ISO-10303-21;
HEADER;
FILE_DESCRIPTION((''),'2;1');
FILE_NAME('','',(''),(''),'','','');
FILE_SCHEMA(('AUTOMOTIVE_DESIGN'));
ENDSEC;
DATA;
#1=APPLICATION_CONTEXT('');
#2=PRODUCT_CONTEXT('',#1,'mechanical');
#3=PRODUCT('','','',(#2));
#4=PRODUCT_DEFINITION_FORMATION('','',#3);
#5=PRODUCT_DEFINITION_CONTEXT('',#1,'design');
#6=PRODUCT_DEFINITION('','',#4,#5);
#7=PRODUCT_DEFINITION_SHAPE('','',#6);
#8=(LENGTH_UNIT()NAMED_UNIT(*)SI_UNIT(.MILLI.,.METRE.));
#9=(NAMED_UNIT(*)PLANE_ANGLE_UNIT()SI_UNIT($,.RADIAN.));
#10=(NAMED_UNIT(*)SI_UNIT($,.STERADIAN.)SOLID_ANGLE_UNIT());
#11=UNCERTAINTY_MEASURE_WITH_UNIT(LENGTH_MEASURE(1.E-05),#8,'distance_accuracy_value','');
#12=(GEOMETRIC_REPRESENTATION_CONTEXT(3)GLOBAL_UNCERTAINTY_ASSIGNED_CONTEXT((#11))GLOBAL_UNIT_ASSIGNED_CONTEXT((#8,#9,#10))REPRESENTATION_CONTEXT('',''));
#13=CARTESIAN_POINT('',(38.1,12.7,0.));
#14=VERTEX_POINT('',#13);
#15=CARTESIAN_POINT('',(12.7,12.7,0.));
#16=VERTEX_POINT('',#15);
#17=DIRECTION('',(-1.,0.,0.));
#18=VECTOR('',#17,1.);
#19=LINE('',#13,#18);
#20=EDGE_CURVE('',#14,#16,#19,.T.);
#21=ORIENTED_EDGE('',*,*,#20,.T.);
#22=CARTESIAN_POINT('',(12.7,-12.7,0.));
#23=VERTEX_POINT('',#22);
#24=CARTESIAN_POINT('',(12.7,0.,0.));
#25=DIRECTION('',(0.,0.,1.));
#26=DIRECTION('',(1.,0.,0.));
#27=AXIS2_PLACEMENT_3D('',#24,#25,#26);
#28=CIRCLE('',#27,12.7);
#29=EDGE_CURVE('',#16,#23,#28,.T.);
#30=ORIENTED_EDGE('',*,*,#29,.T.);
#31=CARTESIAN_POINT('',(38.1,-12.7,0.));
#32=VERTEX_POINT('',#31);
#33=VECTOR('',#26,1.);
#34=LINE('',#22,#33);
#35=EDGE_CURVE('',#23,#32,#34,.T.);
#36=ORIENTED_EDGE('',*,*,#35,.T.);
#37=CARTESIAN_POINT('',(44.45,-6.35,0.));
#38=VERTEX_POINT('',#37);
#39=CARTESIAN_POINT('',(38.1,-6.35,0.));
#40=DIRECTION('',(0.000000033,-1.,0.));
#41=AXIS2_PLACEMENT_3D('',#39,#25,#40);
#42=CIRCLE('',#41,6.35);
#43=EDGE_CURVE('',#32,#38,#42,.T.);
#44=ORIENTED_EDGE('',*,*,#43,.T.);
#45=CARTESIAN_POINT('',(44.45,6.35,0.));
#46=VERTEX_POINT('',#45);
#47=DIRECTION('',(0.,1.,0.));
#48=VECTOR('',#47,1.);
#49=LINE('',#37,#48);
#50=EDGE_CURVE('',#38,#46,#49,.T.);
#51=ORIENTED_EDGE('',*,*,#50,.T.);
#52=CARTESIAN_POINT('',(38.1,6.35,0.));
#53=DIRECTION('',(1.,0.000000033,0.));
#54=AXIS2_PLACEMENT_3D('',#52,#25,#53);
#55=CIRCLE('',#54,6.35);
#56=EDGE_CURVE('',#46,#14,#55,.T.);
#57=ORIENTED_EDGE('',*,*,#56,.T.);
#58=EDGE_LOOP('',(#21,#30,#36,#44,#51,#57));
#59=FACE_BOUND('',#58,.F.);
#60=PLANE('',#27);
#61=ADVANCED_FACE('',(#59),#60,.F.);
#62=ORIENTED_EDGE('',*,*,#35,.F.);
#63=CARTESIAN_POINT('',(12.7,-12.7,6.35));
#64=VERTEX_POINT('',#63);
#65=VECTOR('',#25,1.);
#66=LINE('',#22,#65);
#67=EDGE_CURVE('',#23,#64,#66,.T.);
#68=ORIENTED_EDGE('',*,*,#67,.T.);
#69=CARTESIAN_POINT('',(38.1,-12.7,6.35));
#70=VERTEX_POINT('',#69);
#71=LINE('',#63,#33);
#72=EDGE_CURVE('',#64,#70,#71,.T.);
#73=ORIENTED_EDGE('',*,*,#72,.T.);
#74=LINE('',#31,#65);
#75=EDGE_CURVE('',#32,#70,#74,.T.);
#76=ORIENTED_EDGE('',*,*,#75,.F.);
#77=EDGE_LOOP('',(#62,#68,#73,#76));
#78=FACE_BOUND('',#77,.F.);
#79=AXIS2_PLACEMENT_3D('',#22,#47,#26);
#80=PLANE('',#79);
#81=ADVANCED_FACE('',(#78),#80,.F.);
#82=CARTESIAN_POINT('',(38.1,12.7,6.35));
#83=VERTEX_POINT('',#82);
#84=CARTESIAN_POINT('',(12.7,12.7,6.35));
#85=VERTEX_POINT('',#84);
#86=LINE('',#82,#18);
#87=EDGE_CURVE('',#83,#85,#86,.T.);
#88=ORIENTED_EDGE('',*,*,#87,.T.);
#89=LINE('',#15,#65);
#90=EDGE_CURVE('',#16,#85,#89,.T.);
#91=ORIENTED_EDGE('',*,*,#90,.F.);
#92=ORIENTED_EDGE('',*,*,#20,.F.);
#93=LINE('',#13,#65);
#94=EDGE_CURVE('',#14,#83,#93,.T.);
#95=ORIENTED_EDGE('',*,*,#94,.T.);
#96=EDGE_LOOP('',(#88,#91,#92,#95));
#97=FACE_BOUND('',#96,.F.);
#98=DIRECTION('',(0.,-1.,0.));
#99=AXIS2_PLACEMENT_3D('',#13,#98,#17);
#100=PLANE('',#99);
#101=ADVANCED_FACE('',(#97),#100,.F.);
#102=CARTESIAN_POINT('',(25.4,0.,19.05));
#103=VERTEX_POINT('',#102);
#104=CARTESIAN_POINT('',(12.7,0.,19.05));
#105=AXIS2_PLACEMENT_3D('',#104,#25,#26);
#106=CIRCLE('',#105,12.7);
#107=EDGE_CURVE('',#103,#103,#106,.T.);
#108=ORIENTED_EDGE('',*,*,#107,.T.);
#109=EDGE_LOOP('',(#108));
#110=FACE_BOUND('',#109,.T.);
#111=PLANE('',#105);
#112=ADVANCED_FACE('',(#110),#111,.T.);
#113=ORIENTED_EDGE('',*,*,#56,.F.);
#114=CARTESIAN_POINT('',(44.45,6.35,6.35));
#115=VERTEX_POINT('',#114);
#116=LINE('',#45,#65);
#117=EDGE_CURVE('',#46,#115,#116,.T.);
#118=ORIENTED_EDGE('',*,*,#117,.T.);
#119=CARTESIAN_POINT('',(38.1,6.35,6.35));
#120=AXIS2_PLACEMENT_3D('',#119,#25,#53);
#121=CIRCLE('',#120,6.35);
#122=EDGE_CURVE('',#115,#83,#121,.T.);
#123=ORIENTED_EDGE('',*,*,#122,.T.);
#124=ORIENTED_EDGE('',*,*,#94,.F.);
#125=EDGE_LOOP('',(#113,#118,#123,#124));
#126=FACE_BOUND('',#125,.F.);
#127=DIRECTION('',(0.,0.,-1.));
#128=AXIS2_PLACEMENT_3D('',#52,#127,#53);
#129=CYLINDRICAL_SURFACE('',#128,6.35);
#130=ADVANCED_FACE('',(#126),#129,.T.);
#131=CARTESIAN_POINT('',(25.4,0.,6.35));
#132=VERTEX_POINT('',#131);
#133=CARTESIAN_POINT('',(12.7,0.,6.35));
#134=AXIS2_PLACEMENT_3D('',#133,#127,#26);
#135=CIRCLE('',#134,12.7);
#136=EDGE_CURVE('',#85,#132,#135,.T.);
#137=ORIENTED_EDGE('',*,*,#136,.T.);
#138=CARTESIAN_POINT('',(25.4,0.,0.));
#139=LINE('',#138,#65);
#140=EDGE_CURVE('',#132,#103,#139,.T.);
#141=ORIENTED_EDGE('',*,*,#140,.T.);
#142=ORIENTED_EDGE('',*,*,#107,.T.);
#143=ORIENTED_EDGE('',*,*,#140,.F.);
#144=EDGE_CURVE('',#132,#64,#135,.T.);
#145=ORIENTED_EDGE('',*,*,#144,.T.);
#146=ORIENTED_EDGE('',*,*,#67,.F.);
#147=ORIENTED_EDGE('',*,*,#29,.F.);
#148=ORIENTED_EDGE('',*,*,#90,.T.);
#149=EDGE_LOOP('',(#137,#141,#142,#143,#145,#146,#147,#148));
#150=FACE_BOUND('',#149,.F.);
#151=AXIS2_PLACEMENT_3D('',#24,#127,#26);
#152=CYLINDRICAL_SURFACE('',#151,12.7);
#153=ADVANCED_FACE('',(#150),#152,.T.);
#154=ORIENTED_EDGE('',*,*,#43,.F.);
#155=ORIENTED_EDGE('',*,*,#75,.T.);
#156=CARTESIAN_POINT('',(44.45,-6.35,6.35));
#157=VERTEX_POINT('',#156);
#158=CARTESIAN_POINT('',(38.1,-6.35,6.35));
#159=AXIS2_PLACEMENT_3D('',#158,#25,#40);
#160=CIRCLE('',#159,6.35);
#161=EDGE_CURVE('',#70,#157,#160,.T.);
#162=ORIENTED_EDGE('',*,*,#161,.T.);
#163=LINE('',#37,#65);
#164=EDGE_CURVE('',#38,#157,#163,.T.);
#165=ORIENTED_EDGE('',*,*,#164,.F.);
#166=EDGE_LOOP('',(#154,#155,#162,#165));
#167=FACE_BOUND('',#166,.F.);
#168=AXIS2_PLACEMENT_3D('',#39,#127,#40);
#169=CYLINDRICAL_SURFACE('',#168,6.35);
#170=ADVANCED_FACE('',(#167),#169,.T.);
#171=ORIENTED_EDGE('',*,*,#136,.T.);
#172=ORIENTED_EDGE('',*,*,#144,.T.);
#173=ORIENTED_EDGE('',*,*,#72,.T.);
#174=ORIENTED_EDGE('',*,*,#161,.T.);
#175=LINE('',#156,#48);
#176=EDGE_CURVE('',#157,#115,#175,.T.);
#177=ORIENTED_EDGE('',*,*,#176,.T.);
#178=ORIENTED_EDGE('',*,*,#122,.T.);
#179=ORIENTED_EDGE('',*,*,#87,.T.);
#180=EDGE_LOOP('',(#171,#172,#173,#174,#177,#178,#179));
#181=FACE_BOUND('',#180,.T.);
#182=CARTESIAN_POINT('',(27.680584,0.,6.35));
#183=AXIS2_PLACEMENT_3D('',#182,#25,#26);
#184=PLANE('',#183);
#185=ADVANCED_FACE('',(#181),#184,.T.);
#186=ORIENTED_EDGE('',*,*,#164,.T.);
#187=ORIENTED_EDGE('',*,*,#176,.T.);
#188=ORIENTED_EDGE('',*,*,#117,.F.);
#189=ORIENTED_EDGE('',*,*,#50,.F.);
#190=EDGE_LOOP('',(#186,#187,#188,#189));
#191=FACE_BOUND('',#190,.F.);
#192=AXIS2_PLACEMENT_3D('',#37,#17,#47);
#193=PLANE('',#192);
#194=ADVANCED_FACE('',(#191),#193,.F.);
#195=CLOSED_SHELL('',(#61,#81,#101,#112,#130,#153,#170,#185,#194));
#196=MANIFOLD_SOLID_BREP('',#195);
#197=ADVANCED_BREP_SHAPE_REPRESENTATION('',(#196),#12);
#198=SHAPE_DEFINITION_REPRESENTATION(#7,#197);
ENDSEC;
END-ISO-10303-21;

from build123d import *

# Parameters (mm, degrees)
F0_R     = 12.7
F1_DEPTH = 19.05
F3_DEPTH = 6.35


with BuildPart() as f1:
    # F0 (on Top) → F1 (new body)
    with BuildSketch(Plane.XY):
        with Locations((12.7, 0)):
            Circle(F0_R)
    extrude(amount=F1_DEPTH)

    # F2 (on Top) → F3 (join)
    with BuildSketch(Plane.XY):
        with BuildLine():
            Line((12.7, 12.7), (12.7, -12.7))
            Line((12.7, -12.7), (38.1, -12.7))
            ThreePointArc((38.1, -12.7), (42.590128, -10.840128), (44.45, -6.35))
            Line((44.45, -6.35), (44.45, 6.35))
            ThreePointArc((44.45, 6.35), (42.590128, 10.840128), (38.1, 12.7))
            Line((38.1, 12.7), (12.7, 12.7))
        make_face()
    extrude(amount=F3_DEPTH)


solid = f1.part
